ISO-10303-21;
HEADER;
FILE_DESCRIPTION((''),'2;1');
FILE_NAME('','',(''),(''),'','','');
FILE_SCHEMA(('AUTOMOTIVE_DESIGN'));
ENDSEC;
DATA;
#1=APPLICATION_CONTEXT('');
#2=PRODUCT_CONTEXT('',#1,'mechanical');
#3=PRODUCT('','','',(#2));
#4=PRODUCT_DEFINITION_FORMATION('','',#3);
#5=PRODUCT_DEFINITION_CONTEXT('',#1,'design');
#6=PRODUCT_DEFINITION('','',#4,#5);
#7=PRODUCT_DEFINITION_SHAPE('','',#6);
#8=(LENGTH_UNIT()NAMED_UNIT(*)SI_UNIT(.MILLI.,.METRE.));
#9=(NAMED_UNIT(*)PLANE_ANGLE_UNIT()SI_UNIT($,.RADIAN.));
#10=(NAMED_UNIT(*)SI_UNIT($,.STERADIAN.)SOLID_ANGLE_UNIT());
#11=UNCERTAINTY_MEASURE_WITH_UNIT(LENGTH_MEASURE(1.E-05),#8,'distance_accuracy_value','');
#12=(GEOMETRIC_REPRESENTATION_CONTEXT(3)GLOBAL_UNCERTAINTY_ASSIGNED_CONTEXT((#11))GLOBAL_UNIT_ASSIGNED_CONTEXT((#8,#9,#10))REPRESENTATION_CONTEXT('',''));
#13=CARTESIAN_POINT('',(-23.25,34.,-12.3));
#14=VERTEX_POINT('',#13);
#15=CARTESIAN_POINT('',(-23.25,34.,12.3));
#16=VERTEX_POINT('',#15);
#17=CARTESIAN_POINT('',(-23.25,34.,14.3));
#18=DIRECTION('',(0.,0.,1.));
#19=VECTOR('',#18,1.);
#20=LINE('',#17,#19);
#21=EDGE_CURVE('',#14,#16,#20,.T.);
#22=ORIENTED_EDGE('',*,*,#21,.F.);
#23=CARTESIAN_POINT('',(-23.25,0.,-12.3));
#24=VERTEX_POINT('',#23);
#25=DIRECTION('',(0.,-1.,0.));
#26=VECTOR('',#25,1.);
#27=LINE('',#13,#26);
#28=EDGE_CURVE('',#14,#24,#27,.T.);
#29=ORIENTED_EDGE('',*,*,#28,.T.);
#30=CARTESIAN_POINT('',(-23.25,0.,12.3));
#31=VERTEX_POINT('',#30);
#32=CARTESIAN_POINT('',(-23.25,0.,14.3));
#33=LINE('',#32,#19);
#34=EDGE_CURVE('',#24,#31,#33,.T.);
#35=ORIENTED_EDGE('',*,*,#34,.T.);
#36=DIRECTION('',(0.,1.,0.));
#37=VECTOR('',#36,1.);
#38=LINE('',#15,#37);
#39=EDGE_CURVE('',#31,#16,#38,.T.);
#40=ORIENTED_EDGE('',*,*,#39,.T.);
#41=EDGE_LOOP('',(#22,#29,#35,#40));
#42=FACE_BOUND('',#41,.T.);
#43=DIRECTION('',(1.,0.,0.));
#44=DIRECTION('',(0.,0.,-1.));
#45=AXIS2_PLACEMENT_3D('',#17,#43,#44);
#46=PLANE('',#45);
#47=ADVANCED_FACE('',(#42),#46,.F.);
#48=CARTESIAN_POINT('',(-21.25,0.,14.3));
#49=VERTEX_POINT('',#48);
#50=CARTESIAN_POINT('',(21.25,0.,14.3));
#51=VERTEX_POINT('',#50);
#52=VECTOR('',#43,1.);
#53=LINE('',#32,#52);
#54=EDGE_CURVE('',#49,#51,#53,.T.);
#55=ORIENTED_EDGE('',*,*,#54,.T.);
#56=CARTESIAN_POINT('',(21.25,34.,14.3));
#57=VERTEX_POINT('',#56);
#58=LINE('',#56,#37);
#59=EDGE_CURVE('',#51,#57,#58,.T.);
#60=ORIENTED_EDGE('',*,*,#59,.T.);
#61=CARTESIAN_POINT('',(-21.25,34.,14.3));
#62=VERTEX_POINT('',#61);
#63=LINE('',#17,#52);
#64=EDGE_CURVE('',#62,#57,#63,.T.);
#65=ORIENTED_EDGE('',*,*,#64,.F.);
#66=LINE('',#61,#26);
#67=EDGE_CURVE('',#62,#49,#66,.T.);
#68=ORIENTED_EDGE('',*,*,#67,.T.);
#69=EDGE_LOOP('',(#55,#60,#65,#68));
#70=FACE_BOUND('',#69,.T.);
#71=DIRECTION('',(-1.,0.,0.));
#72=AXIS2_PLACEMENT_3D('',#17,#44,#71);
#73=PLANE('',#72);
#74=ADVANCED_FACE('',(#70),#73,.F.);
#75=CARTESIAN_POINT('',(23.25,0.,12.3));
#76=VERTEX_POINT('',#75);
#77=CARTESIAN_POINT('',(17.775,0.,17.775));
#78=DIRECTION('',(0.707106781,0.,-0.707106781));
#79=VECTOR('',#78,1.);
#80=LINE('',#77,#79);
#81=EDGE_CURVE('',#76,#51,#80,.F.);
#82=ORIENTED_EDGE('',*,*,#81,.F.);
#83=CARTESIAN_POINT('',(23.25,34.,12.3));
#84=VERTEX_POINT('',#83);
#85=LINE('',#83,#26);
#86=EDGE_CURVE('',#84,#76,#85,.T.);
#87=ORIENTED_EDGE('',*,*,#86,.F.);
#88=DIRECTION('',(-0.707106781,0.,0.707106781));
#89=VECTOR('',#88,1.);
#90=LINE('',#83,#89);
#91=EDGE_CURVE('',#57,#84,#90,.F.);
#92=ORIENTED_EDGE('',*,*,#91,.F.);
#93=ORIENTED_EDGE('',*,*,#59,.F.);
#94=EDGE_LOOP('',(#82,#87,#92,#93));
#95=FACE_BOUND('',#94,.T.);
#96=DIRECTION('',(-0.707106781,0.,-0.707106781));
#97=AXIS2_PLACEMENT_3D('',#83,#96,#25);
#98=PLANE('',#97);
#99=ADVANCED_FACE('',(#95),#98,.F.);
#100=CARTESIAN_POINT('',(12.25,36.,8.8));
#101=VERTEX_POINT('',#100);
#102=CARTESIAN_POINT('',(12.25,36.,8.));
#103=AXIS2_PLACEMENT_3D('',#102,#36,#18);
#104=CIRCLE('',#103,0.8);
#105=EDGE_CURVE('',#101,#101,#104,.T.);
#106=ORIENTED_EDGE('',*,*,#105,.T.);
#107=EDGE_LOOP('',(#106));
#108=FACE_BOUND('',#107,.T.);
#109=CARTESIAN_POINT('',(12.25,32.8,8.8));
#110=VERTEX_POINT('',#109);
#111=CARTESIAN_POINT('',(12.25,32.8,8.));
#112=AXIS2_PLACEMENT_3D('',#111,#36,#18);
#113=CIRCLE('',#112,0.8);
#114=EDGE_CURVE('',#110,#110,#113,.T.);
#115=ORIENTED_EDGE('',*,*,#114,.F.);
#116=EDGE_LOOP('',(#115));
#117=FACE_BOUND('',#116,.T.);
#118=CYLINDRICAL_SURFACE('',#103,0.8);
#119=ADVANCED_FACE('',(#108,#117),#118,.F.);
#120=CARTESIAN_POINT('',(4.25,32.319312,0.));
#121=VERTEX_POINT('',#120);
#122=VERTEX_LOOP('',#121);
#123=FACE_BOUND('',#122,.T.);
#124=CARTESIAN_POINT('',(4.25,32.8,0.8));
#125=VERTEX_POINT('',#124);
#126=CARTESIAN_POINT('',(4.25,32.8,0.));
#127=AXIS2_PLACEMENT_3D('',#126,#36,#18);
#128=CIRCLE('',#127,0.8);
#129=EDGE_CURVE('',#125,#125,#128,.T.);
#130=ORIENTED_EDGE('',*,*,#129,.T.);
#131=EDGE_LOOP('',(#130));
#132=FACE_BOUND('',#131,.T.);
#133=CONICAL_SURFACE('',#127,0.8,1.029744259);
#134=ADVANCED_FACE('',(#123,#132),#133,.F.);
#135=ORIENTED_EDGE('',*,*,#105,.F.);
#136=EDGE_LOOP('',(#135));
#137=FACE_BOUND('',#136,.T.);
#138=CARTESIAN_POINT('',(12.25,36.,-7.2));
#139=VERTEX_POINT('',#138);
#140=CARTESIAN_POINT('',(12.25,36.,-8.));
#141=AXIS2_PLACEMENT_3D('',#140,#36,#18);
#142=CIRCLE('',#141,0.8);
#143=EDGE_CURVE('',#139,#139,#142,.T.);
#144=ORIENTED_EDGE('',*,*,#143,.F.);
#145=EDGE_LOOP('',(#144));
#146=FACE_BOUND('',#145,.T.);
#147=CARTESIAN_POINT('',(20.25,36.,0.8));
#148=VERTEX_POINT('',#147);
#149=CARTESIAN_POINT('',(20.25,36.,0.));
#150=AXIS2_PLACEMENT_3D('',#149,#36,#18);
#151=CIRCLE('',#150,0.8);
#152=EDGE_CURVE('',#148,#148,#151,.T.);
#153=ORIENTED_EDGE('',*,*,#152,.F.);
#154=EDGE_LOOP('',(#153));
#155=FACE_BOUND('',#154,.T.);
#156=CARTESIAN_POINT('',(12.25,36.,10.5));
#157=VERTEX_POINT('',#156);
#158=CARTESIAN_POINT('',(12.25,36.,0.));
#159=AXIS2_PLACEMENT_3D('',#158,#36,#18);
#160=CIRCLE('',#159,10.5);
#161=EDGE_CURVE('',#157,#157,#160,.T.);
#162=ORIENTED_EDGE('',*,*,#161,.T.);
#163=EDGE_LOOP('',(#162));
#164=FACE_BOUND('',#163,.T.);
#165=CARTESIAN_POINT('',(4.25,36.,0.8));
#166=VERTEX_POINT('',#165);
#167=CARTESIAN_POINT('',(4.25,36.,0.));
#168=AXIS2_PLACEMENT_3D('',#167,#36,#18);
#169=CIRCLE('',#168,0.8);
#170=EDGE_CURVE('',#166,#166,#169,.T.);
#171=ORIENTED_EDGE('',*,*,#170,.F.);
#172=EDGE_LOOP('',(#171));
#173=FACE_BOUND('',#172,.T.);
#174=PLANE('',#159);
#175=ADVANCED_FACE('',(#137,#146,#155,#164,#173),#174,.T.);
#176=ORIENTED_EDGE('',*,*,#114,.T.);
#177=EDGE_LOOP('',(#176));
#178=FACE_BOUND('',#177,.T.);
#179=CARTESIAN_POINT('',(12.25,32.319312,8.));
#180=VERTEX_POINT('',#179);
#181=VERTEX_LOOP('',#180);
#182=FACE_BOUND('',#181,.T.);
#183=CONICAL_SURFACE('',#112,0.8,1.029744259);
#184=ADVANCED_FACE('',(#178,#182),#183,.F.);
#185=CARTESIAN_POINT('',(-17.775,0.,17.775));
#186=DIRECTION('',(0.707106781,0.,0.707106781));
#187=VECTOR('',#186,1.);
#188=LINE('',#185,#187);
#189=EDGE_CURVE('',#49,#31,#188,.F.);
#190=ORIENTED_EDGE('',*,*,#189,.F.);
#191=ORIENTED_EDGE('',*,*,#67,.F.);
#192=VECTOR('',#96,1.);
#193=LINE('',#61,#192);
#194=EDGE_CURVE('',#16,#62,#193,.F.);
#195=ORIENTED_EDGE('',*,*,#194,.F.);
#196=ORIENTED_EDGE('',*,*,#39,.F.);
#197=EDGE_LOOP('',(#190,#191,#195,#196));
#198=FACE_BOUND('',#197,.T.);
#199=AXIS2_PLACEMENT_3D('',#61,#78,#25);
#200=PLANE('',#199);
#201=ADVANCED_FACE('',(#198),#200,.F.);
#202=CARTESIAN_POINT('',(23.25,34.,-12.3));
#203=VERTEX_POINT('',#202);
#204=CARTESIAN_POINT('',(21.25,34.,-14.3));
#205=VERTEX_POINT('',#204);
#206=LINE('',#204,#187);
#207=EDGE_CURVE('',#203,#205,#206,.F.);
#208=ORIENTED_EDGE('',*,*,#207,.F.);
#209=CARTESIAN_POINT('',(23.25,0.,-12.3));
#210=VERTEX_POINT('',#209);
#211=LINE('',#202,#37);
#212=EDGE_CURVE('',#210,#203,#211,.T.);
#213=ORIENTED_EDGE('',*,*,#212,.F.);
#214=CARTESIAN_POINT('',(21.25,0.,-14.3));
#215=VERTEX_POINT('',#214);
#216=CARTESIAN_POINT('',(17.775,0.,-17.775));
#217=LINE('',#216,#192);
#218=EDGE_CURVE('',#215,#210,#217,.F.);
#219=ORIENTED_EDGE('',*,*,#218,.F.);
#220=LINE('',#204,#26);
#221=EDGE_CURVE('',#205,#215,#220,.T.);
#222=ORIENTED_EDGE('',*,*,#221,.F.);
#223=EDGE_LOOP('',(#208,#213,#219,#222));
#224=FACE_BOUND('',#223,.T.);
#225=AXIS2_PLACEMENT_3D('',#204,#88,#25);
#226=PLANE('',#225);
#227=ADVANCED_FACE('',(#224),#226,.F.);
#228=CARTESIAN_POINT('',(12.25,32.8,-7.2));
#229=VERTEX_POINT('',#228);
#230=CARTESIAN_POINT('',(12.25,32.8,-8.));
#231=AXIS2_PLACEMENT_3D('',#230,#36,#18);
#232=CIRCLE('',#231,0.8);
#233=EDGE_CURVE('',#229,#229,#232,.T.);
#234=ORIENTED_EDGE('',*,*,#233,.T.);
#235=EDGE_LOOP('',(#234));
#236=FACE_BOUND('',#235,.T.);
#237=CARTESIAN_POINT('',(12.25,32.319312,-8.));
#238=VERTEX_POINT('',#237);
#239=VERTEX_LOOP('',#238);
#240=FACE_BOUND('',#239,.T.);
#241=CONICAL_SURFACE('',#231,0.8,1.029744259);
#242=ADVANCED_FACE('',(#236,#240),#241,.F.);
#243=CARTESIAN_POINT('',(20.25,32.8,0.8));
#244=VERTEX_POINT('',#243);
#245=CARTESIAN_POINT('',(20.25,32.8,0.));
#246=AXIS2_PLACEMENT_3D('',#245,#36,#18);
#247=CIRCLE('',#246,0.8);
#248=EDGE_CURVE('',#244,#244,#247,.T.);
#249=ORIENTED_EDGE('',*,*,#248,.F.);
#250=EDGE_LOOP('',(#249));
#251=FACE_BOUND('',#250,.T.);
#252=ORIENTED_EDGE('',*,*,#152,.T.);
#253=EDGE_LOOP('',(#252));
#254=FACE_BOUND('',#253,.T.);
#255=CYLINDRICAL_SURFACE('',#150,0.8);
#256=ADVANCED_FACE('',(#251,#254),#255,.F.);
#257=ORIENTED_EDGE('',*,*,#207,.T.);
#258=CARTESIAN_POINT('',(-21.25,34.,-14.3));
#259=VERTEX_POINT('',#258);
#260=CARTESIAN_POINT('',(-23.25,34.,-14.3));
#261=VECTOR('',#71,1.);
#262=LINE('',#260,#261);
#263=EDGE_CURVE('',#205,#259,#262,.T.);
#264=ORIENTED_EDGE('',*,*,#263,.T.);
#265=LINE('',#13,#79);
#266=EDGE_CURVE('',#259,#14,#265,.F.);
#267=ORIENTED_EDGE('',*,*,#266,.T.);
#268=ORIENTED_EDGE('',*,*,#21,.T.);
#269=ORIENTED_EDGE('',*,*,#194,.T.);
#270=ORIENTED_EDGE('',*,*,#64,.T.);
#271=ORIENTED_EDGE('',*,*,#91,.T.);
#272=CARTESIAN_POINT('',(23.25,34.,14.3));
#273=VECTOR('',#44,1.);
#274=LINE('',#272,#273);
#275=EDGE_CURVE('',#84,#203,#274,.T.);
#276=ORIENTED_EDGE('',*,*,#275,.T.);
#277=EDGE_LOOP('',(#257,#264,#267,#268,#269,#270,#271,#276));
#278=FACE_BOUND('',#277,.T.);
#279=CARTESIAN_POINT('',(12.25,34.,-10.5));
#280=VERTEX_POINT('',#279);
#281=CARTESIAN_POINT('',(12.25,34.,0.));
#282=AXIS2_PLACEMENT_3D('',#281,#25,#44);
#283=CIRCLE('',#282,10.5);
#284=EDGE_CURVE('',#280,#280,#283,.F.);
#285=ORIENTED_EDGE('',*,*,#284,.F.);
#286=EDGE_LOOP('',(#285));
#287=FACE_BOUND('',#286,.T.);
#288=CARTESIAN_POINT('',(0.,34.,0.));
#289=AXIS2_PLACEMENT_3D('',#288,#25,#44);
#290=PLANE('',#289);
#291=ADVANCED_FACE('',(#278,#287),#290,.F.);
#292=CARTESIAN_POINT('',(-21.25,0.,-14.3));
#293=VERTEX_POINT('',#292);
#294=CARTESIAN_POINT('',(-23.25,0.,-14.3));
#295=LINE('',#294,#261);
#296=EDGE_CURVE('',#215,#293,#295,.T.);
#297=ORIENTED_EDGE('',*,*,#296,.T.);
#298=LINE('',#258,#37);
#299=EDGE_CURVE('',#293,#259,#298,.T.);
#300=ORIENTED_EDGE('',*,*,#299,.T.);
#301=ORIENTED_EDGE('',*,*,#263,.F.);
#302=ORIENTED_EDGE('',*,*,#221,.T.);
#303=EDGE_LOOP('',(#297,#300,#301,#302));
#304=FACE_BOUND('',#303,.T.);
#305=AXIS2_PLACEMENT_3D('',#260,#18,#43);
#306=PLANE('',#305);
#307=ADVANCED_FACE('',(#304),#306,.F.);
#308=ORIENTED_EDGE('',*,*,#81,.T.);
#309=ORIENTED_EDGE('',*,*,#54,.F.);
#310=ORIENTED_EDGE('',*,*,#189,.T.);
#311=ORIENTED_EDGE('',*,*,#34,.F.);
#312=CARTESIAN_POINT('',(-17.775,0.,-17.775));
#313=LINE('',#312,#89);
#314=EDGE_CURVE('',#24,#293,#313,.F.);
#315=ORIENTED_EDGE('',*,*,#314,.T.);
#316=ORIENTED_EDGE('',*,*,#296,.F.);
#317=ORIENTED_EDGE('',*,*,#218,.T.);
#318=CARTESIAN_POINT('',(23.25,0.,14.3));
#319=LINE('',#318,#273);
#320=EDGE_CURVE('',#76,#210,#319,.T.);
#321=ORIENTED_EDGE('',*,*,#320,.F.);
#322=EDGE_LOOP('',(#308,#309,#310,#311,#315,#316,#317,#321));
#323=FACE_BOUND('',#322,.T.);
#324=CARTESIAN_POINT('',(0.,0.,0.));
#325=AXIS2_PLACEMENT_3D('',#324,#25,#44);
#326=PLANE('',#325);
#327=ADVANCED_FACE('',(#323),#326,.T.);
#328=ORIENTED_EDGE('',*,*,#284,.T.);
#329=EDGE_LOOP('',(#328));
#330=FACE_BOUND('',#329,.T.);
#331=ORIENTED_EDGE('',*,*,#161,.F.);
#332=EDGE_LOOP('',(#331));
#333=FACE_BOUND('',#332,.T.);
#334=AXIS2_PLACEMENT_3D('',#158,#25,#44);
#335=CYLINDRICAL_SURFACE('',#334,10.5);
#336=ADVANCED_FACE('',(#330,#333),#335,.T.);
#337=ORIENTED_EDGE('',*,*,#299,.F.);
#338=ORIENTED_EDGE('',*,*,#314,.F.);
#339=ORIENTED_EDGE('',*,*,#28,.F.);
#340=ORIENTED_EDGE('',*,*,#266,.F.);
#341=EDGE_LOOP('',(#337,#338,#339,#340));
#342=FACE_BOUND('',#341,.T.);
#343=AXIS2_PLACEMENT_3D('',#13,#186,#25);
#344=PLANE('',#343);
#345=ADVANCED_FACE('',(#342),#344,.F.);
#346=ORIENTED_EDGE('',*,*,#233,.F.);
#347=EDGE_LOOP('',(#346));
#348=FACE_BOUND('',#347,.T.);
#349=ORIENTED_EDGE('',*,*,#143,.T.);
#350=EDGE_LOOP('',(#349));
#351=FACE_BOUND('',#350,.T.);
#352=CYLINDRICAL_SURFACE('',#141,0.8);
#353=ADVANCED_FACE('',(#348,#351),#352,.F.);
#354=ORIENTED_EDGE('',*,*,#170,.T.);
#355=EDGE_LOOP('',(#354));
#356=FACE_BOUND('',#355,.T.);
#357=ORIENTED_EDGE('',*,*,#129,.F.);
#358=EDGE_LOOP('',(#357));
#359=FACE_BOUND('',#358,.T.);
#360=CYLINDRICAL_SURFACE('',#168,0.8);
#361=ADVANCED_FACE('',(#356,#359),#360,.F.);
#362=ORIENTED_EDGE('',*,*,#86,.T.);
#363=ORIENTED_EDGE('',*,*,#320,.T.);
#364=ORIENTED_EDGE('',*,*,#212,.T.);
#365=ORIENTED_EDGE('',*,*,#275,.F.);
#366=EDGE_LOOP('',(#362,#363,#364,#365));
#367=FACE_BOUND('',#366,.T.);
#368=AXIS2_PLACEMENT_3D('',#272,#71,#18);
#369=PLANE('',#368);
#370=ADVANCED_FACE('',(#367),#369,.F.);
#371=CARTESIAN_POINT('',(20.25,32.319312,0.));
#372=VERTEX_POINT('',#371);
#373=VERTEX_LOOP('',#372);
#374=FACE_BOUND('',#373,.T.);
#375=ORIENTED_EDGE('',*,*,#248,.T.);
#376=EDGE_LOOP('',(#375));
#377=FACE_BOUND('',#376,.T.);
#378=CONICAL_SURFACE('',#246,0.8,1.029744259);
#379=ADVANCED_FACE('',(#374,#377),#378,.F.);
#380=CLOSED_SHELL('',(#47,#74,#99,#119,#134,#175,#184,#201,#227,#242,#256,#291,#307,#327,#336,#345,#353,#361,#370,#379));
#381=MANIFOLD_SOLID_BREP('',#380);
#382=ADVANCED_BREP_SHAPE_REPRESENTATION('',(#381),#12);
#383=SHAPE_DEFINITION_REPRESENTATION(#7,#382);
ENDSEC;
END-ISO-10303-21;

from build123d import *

# Parameters (mm, degrees)
ESQUISSE1_W               = 46.5
ESQUISSE1_H               = 28.6
BOSS_EXTRU_1_DEPTH        = 34
CHANFREIN1_SIZE           = 2
ESQUISSE2_R               = 10.5
BOSS_EXTRU_2_DEPTH        = 2
TROU_TARAUD_M2X0_41_D     = 1.6
TROU_TARAUD_M2X0_41_DEPTH = 3.2
TROU_TARAUD_M2X0_41_TIP   = 0.480688495


with BuildPart() as part:
    # Esquisse1 → Boss.-Extru.1 (new body)
    with BuildSketch(Plane(origin=(0, 0, 0), x_dir=(1, 0, 0), z_dir=(0, 1, 0))):
        Rectangle(ESQUISSE1_W, ESQUISSE1_H)
    extrude(amount=BOSS_EXTRU_1_DEPTH)

    # Chanfrein1
    chanfrein1_edges = [part.edges().sort_by_distance(p)[0] for p in [
        (23.25, 17, 14.3),
        (-23.25, 17, 14.3),
        (-23.25, 17, -14.3),
        (23.25, 17, -14.3),
    ]]
    chamfer(chanfrein1_edges, length=CHANFREIN1_SIZE)

    # Esquisse2 → Boss.-Extru.2 (add)
    with BuildSketch(Plane(origin=(0, 34, 0), x_dir=(1, 0, 0), z_dir=(0, 1, 0))):
        with Locations(Location((12.25, 0, 0), (0, 0, 90))):
            Circle(ESQUISSE2_R)
    extrude(amount=BOSS_EXTRU_2_DEPTH)

    # Trou taraudé M2x0.41
    with Locations(Plane(origin=(0, 36, 0), x_dir=(1, 0, 0), z_dir=(0, 1, 0))):
        with Locations((12.25, 8), (20.25, 0), (12.25, -8), (4.25, 0)):
            Hole(TROU_TARAUD_M2X0_41_D / 2, depth=TROU_TARAUD_M2X0_41_DEPTH)
            with Locations((0, 0, -(TROU_TARAUD_M2X0_41_DEPTH + TROU_TARAUD_M2X0_41_TIP / 2))):  # 118° drill point
                Cone(0, TROU_TARAUD_M2X0_41_D / 2, TROU_TARAUD_M2X0_41_TIP, mode=Mode.SUBTRACT)


solid = part.part
